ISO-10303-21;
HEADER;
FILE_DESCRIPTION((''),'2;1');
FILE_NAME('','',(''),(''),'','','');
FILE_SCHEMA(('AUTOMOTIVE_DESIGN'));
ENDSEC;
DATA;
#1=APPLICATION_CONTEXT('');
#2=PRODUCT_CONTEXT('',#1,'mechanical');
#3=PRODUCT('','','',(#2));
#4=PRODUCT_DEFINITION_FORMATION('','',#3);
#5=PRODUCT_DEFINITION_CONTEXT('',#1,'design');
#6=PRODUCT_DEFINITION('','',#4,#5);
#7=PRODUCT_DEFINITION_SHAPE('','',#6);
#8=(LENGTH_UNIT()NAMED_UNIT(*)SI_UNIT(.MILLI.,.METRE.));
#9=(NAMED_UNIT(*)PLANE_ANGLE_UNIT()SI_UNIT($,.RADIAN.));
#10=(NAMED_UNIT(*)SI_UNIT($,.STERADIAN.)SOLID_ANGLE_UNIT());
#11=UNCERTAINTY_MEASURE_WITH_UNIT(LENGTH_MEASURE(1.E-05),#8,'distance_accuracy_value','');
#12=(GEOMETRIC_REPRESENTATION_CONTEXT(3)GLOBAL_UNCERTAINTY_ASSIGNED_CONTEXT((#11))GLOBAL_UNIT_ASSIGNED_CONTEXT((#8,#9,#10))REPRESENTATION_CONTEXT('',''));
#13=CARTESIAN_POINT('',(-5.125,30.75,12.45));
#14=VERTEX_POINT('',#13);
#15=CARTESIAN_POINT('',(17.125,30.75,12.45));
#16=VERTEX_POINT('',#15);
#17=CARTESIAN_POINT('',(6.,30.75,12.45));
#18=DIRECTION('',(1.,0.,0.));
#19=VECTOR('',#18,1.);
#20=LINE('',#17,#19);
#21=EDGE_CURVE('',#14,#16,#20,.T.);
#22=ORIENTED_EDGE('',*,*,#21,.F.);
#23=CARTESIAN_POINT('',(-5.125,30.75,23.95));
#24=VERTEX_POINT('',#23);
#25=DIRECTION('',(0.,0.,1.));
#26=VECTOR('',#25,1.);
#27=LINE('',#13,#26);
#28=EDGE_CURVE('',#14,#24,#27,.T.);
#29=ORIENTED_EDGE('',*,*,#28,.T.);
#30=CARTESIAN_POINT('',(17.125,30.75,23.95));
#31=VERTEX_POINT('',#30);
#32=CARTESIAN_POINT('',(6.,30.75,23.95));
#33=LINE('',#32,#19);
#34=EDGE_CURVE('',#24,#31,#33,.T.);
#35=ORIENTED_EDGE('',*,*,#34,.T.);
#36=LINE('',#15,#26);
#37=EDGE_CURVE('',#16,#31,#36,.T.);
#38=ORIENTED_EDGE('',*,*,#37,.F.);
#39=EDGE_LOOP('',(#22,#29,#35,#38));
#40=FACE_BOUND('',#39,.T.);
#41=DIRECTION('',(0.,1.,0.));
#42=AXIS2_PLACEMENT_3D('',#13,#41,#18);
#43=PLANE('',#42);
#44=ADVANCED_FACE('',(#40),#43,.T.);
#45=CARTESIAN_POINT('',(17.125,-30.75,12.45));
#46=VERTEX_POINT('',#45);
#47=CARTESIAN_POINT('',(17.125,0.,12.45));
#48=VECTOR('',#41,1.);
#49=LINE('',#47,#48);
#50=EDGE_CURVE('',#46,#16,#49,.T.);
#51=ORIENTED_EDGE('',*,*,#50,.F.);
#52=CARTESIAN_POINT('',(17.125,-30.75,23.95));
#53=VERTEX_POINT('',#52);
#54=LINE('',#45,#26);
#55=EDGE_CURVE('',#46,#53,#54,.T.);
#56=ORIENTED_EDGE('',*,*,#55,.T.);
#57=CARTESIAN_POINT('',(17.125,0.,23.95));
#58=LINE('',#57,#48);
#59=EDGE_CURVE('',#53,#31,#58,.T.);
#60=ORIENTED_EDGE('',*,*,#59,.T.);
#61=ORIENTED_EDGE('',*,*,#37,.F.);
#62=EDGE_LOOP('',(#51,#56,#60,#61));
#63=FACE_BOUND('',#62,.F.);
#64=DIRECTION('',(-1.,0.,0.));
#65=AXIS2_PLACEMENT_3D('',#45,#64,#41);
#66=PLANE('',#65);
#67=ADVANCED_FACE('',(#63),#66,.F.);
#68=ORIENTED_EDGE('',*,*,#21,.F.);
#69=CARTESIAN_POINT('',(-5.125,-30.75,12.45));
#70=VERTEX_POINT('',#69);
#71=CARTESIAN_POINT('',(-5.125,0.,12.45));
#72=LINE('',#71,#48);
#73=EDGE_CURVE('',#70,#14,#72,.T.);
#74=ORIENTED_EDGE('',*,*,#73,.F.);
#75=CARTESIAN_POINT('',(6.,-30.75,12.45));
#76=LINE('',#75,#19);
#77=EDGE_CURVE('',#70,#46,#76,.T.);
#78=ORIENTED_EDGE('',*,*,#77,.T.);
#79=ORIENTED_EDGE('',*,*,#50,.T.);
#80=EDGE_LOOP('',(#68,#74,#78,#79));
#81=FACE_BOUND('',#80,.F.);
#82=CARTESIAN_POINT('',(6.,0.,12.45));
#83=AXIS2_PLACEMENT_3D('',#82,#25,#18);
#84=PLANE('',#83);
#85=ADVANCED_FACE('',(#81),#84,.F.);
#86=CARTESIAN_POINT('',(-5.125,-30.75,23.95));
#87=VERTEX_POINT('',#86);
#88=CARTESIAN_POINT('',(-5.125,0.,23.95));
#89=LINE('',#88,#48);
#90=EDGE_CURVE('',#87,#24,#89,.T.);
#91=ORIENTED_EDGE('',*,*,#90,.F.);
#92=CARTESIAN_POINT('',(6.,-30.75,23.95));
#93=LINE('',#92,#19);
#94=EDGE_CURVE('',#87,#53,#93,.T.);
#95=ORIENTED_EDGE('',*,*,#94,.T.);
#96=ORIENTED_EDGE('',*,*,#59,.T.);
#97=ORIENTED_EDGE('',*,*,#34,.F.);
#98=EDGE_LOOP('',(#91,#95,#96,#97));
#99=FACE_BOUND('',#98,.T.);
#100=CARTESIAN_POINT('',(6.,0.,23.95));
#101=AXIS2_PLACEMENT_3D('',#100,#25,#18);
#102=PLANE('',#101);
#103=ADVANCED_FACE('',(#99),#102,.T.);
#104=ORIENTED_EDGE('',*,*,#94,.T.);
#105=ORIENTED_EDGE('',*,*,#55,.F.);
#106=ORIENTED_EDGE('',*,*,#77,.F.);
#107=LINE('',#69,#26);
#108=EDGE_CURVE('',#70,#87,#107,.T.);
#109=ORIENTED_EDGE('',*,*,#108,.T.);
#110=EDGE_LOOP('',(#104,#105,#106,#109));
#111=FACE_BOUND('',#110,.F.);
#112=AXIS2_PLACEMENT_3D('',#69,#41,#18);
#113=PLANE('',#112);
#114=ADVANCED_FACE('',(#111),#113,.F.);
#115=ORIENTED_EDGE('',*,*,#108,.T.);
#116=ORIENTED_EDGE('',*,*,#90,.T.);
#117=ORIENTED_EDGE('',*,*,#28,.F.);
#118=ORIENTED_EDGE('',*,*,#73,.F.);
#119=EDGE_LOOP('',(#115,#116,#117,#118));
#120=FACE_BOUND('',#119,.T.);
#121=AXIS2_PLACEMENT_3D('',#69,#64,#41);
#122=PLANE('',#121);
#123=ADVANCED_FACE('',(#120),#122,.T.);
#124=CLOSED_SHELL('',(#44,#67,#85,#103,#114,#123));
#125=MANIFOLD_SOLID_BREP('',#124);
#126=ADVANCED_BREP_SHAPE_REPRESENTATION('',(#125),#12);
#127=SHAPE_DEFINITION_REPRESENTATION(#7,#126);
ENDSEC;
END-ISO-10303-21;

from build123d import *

# Parameters (mm, degrees)
F1_W     = 22.25
F1_H     = 61.5
F2_DEPTH = 11.5


with BuildPart() as f2:
    # F1 (on offset) → F2 (new body)
    with BuildSketch(Plane.XY.offset(12.45)):
        with Locations((6, 0)):
            Rectangle(F1_W, F1_H)
    extrude(amount=F2_DEPTH)


solid = f2.part
